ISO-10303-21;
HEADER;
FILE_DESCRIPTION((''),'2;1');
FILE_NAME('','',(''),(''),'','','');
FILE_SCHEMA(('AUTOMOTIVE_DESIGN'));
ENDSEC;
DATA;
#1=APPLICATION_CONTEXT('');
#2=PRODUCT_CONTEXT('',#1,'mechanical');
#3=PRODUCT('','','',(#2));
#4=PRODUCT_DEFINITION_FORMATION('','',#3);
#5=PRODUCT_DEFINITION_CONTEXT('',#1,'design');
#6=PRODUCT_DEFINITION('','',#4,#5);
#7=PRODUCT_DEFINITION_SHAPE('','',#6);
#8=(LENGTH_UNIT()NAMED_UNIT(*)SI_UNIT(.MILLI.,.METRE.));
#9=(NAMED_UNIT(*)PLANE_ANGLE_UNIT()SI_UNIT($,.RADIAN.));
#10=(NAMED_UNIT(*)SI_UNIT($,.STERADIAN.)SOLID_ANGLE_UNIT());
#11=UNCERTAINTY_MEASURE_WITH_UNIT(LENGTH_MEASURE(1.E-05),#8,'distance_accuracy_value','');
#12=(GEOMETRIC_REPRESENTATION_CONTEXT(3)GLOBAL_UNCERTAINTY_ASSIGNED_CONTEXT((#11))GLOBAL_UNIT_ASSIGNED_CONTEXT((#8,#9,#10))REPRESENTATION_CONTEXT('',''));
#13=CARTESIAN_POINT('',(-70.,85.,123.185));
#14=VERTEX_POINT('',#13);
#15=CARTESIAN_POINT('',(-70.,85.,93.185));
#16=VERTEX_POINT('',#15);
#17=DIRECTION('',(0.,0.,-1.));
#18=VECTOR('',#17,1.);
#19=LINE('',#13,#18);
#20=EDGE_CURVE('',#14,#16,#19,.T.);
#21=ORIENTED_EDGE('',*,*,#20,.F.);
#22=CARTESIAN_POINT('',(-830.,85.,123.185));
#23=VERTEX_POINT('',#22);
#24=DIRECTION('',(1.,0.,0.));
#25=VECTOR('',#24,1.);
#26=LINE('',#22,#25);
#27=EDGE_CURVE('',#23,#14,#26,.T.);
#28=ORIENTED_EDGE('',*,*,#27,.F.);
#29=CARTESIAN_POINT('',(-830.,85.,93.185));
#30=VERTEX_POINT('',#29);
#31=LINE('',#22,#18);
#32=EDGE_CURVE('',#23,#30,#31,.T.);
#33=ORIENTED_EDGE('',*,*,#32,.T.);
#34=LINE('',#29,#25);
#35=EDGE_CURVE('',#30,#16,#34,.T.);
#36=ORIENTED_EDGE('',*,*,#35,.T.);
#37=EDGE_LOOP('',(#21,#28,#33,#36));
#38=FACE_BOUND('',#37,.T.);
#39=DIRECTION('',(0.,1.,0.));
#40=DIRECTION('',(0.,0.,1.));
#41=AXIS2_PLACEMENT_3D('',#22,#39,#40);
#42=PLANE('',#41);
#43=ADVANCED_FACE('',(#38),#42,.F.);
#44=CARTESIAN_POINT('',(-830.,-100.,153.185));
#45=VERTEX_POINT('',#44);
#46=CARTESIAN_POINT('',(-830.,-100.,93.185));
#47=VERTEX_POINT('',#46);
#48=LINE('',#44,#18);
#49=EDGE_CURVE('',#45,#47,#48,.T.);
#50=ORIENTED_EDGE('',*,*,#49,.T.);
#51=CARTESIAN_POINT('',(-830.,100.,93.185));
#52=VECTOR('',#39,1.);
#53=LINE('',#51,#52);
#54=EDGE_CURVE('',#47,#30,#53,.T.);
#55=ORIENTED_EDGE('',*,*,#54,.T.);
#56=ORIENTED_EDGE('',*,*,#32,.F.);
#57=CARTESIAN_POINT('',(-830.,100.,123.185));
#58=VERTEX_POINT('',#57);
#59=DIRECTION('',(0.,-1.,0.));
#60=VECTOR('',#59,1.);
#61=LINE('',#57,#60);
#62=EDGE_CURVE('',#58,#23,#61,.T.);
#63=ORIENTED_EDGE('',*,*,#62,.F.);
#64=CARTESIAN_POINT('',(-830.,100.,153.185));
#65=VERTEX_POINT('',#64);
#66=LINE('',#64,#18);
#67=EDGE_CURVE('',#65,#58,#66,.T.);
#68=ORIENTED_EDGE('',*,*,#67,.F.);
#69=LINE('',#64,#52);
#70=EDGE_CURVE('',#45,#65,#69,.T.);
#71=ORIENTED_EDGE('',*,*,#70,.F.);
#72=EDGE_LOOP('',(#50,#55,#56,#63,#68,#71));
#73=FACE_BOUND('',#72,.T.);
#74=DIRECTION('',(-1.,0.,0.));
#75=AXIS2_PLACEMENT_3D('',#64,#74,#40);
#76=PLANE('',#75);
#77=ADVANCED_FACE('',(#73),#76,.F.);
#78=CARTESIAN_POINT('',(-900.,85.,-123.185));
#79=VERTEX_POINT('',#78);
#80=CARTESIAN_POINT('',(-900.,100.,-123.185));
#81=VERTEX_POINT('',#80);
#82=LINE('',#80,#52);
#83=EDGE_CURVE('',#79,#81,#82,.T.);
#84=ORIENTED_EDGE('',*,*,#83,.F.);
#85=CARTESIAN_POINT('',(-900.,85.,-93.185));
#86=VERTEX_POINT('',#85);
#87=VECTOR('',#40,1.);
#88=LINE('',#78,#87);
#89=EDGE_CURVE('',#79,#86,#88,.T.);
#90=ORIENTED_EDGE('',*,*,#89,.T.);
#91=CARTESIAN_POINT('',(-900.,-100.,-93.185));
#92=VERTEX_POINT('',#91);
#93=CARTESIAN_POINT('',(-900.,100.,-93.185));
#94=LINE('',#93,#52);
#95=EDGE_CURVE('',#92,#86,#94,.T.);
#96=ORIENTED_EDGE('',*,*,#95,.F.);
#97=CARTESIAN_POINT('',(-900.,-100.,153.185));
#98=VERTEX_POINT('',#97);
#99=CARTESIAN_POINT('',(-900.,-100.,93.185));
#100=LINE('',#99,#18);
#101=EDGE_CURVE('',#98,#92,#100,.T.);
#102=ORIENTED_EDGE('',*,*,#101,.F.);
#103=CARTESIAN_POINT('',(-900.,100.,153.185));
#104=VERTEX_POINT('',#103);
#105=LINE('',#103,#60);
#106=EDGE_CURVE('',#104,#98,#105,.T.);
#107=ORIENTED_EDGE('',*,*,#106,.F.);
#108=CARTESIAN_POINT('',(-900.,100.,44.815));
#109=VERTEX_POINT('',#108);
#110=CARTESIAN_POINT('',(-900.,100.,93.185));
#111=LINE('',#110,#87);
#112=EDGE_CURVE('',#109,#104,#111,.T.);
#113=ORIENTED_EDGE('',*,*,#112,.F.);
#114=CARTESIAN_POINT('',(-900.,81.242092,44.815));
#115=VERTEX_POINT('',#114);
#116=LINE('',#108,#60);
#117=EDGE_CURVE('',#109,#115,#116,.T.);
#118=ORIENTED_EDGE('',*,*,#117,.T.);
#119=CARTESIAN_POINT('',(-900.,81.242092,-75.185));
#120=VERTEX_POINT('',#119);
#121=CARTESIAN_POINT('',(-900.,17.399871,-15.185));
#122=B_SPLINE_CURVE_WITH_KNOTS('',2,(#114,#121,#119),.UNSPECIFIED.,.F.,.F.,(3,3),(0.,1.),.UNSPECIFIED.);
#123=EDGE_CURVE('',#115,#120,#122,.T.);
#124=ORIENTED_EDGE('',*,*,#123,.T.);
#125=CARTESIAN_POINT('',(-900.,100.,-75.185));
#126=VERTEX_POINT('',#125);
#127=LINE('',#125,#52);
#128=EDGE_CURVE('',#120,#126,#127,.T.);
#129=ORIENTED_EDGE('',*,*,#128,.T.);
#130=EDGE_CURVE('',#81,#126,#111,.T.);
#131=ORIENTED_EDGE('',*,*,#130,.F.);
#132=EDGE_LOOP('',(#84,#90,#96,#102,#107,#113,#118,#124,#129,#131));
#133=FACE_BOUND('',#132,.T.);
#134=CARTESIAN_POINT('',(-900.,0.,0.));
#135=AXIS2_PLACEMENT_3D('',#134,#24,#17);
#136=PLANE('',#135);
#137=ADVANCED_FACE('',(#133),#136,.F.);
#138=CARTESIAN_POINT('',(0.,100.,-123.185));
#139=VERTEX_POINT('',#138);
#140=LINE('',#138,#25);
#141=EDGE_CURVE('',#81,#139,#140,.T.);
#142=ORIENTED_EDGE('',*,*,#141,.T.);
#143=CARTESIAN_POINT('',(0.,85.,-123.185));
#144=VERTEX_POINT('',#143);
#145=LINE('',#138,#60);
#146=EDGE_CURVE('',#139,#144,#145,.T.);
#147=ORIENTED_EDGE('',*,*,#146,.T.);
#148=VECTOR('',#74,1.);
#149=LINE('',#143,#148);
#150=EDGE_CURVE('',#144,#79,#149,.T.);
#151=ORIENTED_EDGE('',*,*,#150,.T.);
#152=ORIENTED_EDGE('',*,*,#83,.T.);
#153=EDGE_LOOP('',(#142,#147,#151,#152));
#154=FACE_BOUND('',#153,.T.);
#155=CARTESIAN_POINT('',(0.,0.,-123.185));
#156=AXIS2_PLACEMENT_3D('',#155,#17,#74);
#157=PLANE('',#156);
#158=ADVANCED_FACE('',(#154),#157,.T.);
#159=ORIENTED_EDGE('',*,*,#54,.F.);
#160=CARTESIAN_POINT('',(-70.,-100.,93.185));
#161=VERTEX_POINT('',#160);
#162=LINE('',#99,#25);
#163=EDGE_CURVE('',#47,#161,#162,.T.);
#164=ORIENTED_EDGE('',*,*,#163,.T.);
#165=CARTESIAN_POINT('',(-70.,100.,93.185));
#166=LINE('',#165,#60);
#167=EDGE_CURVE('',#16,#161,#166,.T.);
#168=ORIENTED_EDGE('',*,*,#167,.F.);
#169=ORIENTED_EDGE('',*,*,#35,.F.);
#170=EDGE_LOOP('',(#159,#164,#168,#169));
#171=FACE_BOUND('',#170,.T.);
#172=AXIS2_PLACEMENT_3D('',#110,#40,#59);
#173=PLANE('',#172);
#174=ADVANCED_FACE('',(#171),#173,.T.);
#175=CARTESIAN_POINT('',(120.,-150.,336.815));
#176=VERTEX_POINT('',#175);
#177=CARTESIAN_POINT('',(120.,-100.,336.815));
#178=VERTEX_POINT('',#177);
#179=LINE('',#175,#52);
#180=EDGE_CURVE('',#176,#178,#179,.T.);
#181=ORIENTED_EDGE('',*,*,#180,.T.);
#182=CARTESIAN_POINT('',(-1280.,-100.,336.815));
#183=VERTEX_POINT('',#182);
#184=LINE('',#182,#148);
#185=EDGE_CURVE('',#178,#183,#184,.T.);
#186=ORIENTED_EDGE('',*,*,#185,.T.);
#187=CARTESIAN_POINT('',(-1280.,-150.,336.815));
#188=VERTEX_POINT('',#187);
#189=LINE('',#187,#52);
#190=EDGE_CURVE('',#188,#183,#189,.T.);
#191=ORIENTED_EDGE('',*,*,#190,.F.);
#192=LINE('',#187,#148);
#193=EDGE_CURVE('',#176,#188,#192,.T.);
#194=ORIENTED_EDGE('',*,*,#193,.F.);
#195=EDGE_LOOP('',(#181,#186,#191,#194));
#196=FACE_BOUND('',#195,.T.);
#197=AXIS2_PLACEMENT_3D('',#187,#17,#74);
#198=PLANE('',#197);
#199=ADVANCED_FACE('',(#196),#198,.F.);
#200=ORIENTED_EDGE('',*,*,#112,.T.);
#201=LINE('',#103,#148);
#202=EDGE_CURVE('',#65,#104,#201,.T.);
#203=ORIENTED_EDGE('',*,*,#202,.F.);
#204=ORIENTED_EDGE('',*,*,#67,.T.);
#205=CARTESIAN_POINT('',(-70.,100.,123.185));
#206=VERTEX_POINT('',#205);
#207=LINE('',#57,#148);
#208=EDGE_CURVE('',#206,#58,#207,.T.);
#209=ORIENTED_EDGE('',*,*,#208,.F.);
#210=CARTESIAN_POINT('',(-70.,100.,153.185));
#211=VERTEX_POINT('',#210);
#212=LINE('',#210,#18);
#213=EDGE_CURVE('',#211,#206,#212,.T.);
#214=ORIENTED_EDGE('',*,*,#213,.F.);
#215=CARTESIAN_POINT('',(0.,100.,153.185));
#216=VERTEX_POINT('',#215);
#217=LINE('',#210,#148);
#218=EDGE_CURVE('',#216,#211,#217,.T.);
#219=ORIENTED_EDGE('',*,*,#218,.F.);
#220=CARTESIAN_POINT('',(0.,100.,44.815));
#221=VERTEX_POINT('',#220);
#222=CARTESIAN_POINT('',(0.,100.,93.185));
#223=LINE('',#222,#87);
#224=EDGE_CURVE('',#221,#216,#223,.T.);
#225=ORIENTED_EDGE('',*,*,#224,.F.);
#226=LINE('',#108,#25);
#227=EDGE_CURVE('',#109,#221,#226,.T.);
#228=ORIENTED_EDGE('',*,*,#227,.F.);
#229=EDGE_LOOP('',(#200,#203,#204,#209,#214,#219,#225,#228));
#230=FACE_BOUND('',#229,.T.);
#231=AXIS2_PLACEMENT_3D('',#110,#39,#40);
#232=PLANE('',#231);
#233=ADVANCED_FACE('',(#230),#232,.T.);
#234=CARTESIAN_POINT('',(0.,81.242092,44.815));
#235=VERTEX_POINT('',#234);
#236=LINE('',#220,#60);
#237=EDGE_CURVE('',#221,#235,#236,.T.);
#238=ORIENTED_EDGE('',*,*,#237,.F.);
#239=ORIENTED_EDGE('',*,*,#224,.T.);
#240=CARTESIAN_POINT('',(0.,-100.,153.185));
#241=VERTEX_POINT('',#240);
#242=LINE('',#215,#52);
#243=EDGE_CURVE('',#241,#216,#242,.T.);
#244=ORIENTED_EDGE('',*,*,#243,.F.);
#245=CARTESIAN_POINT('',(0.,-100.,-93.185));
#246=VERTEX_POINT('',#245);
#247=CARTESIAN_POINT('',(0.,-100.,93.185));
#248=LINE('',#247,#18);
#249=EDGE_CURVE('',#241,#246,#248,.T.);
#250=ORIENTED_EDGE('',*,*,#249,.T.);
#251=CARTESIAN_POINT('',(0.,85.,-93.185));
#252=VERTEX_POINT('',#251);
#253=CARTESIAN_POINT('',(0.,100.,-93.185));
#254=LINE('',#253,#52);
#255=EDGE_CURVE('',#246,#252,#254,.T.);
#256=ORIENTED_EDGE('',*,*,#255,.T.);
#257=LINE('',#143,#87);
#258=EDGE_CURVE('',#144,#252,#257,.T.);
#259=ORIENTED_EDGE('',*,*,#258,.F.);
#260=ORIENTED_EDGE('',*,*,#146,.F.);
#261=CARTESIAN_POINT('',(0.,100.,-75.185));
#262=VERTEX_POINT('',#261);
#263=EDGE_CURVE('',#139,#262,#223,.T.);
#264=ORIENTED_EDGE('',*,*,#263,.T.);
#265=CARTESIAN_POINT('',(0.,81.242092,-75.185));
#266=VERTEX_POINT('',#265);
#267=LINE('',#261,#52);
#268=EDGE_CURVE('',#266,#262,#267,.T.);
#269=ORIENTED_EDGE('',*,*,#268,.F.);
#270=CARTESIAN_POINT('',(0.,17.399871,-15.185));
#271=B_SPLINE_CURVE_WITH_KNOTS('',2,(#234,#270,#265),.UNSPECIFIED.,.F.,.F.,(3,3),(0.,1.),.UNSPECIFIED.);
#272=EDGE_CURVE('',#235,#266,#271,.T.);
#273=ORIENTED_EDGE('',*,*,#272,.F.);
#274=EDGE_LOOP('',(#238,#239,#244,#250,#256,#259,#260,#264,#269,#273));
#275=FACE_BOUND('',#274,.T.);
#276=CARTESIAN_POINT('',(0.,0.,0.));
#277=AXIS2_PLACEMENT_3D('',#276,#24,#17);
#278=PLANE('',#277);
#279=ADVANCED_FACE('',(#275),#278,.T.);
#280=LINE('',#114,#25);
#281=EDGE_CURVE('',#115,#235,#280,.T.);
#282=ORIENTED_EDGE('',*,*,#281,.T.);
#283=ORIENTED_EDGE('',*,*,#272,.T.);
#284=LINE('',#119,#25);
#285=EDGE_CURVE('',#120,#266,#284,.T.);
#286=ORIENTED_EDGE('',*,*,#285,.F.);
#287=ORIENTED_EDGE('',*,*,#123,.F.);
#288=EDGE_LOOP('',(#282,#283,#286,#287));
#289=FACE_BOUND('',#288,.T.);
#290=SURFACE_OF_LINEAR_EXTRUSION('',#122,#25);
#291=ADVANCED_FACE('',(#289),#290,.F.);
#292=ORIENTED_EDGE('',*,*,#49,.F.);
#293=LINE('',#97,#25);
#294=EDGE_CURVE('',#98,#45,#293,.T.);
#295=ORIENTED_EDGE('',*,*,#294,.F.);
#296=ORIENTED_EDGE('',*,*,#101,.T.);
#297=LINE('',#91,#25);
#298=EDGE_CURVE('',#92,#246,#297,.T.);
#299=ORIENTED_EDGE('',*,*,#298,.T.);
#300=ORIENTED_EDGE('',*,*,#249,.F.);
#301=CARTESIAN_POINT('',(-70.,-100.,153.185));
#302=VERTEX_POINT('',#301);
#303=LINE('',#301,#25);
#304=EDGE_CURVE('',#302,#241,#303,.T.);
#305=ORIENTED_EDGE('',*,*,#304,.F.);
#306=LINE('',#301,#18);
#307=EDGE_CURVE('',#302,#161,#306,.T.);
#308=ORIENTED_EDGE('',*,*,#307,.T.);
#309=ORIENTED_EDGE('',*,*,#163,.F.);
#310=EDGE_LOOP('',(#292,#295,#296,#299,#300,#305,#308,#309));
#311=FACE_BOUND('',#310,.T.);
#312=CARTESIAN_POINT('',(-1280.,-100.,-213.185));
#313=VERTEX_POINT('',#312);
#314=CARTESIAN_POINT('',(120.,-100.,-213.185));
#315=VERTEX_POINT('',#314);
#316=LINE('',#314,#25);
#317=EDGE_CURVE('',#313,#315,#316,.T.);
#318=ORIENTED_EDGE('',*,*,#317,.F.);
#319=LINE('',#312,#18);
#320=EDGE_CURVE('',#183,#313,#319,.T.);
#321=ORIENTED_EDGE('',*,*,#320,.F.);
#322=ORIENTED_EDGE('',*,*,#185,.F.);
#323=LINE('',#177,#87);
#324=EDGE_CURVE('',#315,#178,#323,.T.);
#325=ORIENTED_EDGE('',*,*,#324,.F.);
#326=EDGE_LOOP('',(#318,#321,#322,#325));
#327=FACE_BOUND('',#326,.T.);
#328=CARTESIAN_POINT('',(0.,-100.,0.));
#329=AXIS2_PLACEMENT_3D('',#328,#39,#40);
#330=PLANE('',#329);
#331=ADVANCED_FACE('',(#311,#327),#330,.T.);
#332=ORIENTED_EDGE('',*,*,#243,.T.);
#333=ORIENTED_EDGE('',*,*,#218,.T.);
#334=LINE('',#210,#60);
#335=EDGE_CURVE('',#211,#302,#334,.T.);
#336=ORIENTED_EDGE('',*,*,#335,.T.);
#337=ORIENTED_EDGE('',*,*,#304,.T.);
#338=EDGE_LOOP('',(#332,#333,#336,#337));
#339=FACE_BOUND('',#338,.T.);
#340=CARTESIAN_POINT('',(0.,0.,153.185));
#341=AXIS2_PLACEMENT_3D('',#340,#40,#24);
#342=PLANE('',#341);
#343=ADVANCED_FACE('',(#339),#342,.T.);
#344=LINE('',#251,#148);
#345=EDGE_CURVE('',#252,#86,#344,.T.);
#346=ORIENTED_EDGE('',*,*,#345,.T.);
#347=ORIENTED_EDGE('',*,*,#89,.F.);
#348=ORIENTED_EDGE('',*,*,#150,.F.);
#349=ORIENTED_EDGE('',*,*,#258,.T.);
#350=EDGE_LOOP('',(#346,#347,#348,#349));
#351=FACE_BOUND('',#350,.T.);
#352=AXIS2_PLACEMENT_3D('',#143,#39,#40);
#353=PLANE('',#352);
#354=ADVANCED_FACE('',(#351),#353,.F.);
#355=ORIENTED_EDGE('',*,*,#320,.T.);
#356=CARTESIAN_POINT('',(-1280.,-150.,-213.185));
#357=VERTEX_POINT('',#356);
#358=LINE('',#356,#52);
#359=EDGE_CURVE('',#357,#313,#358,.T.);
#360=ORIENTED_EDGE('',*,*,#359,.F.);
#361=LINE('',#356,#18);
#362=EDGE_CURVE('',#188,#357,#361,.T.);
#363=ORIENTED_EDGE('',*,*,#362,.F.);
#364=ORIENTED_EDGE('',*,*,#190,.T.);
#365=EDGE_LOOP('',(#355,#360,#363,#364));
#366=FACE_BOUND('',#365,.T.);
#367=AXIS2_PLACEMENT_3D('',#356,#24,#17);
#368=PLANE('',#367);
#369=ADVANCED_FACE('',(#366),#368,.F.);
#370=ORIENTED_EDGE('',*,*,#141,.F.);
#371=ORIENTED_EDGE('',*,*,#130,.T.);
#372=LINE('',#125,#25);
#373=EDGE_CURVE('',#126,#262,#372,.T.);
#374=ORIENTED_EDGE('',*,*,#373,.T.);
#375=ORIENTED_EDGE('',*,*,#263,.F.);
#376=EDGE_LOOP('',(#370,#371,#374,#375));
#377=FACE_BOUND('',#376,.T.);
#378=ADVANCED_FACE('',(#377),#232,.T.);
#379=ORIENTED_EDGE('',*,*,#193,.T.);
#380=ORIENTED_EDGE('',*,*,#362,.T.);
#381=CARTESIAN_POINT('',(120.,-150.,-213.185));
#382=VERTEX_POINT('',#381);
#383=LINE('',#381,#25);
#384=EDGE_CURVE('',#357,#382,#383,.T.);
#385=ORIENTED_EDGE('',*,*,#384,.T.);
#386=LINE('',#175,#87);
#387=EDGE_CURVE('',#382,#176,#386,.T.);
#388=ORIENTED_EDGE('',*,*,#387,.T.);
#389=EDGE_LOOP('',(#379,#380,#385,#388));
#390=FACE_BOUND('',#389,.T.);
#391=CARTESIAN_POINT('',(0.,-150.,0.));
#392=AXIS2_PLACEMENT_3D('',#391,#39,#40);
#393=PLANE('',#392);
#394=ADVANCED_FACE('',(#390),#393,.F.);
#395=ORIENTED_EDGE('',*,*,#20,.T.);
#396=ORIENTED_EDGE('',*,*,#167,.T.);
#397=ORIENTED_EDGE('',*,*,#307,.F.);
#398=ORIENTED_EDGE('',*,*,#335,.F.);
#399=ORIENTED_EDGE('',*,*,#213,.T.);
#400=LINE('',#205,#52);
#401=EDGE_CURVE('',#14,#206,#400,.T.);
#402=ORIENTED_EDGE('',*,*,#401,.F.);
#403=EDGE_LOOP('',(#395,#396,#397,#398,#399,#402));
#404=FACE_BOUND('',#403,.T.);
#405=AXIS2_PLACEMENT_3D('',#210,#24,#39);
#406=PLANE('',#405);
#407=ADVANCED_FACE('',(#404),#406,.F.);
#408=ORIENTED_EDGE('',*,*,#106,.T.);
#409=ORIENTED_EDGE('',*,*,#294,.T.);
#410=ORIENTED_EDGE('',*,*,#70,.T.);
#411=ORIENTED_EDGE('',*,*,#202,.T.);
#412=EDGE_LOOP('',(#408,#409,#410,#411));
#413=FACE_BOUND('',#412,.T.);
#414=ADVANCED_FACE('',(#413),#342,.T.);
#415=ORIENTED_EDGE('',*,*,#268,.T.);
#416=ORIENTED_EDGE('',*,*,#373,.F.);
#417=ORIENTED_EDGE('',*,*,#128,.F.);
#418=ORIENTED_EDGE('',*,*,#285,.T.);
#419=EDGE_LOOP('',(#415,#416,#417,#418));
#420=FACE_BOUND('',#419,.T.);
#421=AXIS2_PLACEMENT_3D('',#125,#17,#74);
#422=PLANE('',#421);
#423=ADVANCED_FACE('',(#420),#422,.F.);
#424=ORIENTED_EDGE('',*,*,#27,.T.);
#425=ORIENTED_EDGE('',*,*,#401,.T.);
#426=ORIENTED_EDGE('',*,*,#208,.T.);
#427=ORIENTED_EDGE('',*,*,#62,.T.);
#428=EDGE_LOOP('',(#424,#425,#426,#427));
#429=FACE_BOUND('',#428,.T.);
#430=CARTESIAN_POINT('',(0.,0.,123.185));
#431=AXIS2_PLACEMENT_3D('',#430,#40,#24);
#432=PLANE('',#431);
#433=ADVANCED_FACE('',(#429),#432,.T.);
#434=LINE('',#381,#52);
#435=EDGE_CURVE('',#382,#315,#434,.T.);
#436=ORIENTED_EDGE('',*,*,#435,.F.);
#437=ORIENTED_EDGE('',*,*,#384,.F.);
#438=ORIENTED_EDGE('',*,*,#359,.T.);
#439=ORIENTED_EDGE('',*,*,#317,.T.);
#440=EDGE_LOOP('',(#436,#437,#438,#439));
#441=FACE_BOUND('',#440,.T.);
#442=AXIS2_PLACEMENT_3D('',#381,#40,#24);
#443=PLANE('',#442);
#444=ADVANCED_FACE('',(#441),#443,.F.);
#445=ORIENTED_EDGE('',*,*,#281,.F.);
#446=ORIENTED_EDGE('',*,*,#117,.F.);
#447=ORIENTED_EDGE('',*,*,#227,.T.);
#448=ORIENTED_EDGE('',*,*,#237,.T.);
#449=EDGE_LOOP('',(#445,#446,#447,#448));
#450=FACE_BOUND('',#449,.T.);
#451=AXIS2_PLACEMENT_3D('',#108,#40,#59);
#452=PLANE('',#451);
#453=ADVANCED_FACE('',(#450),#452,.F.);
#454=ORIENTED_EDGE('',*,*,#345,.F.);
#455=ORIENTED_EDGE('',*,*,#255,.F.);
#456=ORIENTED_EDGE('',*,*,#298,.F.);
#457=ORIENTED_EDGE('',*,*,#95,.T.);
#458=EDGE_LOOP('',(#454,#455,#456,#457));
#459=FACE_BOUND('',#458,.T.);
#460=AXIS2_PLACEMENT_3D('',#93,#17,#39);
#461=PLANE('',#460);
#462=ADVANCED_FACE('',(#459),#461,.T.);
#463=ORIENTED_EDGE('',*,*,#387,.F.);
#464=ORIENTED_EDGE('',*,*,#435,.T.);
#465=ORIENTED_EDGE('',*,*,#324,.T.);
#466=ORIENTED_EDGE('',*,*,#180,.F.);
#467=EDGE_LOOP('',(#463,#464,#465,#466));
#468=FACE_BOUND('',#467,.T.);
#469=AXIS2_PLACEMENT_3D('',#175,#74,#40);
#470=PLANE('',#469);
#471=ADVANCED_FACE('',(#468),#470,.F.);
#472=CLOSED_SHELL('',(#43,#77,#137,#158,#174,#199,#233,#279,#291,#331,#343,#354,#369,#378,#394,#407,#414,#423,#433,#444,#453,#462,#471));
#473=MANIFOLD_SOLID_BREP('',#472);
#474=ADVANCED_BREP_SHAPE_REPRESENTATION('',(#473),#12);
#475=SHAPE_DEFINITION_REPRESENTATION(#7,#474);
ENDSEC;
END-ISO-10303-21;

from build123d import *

# Parameters (mm, degrees)
SKETCH2_W           = 186.37
SKETCH2_H           = 200
BOSS_EXTRUDE2_DEPTH = 900
SKETCH3_W           = 70
SKETCH3_H           = 200
BOSS_EXTRUDE3_DEPTH = 60
SKETCH4_W           = 1400
SKETCH4_H           = 550
BOSS_EXTRUDE4_DEPTH = 50
CUT_EXTRUDE1_DEPTH  = 900
SKETCH7_W           = 900
SKETCH7_H           = 15
BOSS_EXTRUDE5_DEPTH = 30
SKETCH8_W           = 760
SKETCH8_H           = 15
BOSS_EXTRUDE6_DEPTH = 30


with BuildPart() as part:
    # Sketch2 → Boss-Extrude2 (new body)
    with BuildSketch(Plane(origin=(0, 0, 0), x_dir=(0, 0, -1), z_dir=(1, 0, 0))):
        Rectangle(SKETCH2_W, SKETCH2_H)
    extrude(amount=-BOSS_EXTRUDE2_DEPTH)

    # Sketch3 → Boss-Extrude3 (add)
    with BuildSketch(Plane.XY.offset(93.185)):
        with Locations((-35, 0)):
            Rectangle(SKETCH3_W, SKETCH3_H)
        with Locations((-865, 0)):
            Rectangle(SKETCH3_W, SKETCH3_H)
    extrude(amount=BOSS_EXTRUDE3_DEPTH)

    # Sketch4 → Boss-Extrude4 (add)
    with BuildSketch(Plane.XZ.offset(100)):
        with Locations((-580, 61.815)):
            Rectangle(SKETCH4_W, SKETCH4_H)
    extrude(amount=BOSS_EXTRUDE4_DEPTH)

    # Sketch6 → Cut-Extrude1 (cut)
    with BuildSketch(Plane(origin=(0, 0, 0), x_dir=(0, 0, -1), z_dir=(1, 0, 0))):
        with BuildLine():
            Line((-44.815, 100), (-44.815, 81.242091756))
            add(Edge.make_bspline(
                [(-44.815, 81.242091756), (15.185, 17.399871026), (75.185, 81.242091756)],
                knots=[0, 0, 0, 1, 1, 1], degree=2))
            Line((75.185, 81.242091756), (75.185, 100))
            Line((75.185, 100), (-44.815, 100))
        make_face()
    extrude(amount=-CUT_EXTRUDE1_DEPTH, mode=Mode.SUBTRACT)

    # Sketch7 → Boss-Extrude5 (add)
    with BuildSketch(Plane(origin=(0, 0, -93.185), x_dir=(-1, 0, 0), z_dir=(0, 0, -1))):
        with Locations((450, 92.5)):
            Rectangle(SKETCH7_W, SKETCH7_H)
    extrude(amount=BOSS_EXTRUDE5_DEPTH)

    # Sketch8 → Boss-Extrude6 (add)
    with BuildSketch(Plane.XY.offset(93.185)):
        with Locations((-450, 92.5)):
            Rectangle(SKETCH8_W, SKETCH8_H)
    extrude(amount=BOSS_EXTRUDE6_DEPTH)


solid = part.part
